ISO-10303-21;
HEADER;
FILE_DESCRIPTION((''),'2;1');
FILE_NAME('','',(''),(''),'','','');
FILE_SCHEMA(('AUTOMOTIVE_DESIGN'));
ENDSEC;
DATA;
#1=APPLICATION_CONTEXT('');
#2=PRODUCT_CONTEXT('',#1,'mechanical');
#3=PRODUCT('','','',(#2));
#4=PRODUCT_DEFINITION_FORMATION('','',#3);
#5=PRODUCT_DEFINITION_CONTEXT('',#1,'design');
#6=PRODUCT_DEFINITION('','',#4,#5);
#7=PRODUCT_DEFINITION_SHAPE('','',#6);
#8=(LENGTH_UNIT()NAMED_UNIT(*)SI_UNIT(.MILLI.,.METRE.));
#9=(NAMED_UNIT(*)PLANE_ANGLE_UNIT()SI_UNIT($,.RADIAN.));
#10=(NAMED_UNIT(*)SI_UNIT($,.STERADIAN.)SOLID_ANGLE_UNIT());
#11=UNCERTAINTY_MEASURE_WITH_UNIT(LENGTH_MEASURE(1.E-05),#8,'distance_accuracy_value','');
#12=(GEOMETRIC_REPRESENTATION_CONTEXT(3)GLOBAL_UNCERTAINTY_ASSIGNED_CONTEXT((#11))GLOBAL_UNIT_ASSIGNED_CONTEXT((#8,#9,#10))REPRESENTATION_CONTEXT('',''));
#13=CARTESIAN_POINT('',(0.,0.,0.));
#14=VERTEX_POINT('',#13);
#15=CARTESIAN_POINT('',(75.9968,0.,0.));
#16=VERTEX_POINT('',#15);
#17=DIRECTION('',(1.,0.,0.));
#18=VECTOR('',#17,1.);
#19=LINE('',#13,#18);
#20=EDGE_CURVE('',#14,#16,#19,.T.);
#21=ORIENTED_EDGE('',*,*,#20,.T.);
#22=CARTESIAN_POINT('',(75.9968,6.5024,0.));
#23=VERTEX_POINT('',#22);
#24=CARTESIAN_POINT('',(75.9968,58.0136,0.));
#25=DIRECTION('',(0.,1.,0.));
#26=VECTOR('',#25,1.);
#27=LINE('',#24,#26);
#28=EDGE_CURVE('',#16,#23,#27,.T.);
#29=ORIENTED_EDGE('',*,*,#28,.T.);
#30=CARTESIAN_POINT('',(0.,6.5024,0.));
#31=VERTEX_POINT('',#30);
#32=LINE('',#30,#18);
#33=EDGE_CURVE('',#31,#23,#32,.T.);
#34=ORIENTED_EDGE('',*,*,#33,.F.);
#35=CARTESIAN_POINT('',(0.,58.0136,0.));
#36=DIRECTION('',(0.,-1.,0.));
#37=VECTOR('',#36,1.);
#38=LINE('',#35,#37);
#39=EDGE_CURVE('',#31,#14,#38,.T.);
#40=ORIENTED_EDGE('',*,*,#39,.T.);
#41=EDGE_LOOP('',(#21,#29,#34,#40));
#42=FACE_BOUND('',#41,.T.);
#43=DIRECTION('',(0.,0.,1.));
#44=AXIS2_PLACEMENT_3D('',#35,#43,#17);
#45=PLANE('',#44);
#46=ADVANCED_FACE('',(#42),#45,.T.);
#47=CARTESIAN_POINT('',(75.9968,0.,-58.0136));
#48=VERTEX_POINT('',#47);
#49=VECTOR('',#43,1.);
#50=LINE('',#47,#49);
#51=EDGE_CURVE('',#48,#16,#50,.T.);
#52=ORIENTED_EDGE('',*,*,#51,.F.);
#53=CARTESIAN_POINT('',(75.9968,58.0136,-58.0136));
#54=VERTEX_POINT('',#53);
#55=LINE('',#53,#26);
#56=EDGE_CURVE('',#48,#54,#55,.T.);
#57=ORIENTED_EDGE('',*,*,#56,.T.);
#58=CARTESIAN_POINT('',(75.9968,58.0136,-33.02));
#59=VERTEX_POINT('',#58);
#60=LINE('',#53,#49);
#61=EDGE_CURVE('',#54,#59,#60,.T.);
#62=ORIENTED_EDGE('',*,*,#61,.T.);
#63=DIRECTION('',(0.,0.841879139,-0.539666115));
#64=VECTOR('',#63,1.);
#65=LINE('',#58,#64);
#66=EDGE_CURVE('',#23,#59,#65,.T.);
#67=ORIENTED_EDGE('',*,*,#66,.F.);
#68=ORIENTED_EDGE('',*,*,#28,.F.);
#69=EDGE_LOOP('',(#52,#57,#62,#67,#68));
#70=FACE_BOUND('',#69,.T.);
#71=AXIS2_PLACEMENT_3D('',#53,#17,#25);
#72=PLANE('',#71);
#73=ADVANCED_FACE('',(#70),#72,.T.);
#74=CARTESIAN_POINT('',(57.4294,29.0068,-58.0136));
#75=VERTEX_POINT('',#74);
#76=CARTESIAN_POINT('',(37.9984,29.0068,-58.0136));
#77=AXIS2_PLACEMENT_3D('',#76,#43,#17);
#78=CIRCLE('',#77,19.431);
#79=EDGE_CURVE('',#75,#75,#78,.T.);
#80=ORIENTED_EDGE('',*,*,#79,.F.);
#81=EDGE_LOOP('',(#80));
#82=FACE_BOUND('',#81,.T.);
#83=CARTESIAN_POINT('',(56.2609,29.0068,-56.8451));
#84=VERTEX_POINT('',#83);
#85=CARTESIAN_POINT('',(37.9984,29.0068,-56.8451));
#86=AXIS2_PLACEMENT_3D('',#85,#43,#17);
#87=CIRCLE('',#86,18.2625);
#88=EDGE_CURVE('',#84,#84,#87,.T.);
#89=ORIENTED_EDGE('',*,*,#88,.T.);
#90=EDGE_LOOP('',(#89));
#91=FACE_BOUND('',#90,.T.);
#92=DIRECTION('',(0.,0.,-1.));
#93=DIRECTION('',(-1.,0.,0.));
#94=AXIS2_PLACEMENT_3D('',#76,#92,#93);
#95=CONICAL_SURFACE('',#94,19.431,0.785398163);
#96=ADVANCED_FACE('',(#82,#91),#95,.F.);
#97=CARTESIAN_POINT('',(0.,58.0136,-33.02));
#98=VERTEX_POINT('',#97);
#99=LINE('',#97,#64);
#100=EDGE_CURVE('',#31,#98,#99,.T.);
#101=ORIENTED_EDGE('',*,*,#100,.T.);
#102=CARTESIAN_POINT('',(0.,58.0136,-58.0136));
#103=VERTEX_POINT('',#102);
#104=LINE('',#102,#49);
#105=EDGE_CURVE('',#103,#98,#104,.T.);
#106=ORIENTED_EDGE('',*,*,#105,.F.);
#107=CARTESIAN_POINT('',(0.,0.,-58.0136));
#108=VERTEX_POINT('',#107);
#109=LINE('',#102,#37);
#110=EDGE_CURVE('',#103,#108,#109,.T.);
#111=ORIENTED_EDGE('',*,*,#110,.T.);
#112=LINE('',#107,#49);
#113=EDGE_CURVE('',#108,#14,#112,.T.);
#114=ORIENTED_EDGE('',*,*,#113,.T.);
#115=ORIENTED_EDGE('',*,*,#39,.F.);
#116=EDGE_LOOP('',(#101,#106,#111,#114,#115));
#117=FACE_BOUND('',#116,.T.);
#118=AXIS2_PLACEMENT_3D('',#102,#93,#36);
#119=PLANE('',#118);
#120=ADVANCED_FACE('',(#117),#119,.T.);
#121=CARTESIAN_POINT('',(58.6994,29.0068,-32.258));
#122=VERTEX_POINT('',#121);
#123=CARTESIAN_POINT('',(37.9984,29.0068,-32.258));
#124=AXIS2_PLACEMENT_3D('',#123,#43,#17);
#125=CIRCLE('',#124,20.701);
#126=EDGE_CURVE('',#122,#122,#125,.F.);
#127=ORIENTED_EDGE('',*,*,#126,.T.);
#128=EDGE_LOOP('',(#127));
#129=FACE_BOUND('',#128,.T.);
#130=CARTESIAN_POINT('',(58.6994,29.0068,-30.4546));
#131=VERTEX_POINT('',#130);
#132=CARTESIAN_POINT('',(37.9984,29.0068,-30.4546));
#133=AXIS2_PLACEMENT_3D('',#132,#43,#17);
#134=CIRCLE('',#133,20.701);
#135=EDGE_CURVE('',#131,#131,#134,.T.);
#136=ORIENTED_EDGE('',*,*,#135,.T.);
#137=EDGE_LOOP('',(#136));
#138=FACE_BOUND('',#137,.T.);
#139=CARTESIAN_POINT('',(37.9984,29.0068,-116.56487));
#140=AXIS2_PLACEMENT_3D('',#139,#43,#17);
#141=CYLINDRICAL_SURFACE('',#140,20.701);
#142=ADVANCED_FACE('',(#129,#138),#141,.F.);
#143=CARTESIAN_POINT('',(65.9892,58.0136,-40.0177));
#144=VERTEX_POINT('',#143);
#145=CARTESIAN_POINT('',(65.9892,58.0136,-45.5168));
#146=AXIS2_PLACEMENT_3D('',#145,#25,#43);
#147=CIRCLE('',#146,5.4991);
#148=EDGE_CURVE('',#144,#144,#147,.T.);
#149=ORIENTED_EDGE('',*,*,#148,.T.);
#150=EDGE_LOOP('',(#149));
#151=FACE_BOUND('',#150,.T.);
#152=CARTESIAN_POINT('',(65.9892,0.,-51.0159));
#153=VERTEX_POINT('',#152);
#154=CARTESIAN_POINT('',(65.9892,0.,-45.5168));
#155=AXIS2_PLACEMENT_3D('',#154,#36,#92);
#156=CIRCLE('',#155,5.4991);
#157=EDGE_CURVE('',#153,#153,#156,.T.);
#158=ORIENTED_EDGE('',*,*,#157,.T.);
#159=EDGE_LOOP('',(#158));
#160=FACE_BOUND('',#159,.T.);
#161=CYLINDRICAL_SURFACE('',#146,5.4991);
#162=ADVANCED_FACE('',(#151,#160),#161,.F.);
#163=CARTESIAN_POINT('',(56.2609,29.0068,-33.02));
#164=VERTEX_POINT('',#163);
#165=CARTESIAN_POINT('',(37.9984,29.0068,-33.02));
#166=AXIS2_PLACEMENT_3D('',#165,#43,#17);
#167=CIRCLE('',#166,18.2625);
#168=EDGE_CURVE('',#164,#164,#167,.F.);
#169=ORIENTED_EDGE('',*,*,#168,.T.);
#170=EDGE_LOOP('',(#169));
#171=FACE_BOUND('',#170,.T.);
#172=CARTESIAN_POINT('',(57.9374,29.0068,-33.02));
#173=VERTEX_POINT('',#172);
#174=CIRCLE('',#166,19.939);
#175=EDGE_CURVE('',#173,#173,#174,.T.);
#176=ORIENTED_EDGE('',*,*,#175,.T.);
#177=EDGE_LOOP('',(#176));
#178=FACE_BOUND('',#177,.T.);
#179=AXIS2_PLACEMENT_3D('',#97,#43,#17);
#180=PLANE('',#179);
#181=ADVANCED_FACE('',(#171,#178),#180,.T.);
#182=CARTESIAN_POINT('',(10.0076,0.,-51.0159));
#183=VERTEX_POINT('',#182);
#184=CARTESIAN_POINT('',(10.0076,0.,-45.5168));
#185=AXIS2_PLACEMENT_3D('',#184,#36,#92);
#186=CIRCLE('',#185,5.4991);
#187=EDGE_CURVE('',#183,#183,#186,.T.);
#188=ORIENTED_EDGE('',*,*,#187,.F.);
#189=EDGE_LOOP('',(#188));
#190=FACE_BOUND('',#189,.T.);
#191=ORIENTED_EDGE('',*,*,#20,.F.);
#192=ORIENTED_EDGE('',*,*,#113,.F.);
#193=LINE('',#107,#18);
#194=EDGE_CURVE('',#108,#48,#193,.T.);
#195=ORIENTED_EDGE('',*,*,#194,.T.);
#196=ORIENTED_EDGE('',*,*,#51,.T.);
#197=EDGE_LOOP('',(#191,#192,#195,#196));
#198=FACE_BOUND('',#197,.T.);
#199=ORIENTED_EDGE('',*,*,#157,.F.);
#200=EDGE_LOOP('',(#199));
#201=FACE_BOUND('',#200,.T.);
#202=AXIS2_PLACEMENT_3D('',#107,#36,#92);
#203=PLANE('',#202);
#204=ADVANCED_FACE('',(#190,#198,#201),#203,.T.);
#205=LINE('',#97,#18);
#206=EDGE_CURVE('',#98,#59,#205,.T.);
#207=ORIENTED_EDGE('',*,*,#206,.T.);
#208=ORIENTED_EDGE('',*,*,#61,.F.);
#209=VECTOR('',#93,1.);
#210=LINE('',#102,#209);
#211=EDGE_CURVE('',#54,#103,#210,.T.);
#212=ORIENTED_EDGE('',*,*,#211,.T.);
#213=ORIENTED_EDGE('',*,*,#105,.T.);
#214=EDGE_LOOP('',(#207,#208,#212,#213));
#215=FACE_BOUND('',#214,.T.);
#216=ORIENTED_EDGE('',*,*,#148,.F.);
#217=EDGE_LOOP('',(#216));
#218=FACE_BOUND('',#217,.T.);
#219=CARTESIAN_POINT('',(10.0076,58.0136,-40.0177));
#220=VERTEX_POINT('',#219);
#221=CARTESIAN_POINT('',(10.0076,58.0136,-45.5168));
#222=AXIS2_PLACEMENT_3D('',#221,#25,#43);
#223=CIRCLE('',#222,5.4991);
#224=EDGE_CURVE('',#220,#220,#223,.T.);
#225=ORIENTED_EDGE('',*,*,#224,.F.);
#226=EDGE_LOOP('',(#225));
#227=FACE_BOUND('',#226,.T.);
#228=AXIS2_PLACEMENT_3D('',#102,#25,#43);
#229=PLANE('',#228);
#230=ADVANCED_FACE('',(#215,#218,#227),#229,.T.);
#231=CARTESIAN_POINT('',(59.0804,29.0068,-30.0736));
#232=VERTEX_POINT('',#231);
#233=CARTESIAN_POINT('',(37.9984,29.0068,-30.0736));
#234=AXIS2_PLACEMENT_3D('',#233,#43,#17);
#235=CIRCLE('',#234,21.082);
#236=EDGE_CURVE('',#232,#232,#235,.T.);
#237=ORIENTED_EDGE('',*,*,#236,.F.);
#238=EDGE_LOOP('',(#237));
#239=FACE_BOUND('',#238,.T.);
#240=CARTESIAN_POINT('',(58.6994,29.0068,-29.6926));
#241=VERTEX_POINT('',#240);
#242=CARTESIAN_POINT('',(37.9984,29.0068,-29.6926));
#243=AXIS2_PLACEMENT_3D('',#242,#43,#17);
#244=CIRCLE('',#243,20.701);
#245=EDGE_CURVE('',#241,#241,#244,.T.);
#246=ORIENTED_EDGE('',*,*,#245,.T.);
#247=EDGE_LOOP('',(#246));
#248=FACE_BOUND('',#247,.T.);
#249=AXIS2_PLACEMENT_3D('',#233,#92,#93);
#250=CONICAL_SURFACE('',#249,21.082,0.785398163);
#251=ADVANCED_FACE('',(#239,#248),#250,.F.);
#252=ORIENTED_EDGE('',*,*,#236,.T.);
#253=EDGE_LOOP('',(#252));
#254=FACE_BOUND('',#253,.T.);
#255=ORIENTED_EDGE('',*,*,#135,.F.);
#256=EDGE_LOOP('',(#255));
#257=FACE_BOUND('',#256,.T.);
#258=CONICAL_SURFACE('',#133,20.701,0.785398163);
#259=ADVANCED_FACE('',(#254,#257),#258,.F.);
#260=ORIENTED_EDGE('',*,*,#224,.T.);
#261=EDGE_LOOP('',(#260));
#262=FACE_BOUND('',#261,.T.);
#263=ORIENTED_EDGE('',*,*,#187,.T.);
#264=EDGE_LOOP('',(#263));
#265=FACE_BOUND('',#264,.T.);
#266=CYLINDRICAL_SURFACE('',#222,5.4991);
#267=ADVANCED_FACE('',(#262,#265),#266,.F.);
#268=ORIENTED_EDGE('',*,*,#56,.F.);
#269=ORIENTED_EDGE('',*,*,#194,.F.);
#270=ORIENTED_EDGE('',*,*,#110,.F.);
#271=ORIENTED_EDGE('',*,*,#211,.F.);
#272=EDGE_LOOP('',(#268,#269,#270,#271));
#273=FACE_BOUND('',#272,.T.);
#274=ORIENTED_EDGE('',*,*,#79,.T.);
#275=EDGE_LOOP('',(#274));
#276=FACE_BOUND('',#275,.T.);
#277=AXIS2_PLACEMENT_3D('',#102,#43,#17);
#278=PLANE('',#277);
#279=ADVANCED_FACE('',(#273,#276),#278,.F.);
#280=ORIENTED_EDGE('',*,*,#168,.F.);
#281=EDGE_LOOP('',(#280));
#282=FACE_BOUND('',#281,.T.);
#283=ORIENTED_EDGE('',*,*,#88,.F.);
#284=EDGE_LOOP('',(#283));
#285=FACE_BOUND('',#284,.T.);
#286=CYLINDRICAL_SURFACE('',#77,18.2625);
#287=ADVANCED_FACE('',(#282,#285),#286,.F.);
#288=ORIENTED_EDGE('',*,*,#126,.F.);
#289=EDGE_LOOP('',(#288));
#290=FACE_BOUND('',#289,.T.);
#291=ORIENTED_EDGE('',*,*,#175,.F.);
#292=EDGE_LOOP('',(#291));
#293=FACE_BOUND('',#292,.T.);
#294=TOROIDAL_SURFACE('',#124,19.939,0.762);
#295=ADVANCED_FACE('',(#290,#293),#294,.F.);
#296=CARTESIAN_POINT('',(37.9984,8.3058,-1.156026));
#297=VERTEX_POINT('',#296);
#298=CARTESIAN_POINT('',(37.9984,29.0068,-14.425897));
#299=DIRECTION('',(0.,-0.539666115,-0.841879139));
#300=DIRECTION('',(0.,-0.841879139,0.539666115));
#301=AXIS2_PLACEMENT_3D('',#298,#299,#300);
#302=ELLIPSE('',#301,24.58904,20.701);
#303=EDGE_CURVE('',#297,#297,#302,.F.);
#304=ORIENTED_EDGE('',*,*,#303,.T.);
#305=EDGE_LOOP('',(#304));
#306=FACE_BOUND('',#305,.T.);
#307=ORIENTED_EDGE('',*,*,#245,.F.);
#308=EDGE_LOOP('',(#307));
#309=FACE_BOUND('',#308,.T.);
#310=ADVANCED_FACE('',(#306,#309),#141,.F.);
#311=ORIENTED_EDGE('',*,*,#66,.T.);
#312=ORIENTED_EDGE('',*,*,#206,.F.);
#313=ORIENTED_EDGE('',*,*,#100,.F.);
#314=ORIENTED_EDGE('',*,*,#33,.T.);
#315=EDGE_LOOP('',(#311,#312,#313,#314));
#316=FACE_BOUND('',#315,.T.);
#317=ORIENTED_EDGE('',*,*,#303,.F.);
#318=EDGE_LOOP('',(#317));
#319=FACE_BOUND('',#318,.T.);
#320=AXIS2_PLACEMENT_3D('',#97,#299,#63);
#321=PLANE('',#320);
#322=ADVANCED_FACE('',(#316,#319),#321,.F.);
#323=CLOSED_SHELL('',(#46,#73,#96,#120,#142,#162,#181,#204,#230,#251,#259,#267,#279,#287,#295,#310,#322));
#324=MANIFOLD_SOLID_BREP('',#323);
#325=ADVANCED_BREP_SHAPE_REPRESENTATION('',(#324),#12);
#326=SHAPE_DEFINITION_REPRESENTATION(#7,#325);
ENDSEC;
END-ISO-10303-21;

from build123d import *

# Parameters (mm, degrees)
SKETCH1_W          = 75.9968
SKETCH1_H          = 58.0136
SKETCH1_R          = 18.2625
EXTRUDE1_DEPTH     = 58.0136
CUT_EXTRUDE1_DEPTH = 76.9968
SKETCH3_R          = 20.701
CUT_EXTRUDE2_DEPTH = 33.02
FILLET1_R          = 0.762
HOLE1_D            = 10.9982
HOLE1_DEPTH        = 58.0136


with BuildPart() as part:
    # Sketch1 → Extrude1 (new body)
    with BuildSketch(Plane.XY):
        with Locations((37.9984, 29.0068)):
            Rectangle(SKETCH1_W, SKETCH1_H)
        with Locations((37.9984, 29.0068)):
            Circle(SKETCH1_R, mode=Mode.SUBTRACT)
    extrude(amount=-EXTRUDE1_DEPTH)

    # Sketch2 → Cut-Extrude1 (cut, through all)
    with BuildSketch(Plane(origin=(75.9968, 0, 0), x_dir=(0, 0, -1), z_dir=(1, 0, 0))):
        Polygon((0, 58.0136), (33.02, 58.0136), (0, 6.5024), align=None)
    extrude(amount=-CUT_EXTRUDE1_DEPTH, mode=Mode.SUBTRACT)

    # Sketch3 → Cut-Extrude2 (cut)
    with BuildSketch(Plane(origin=(0, 0, 0), x_dir=(-1, 0, 0), z_dir=(0, 0, -1))):
        with Locations(Location((-37.9984, 29.0068, 0), (0, 0, 180))):  # turned: the seam where the file's is
            Circle(SKETCH3_R)
    extrude(amount=CUT_EXTRUDE2_DEPTH, mode=Mode.SUBTRACT)

    # Fillet1
    fillet1_edges = [part.edges().sort_by_distance(p)[0] for p in [
        (17.2974, 29.0068, -33.02),
    ]]
    fillet(fillet1_edges, radius=FILLET1_R)

    # Hole1
    with Locations(Plane(origin=(0, 58.0136, 0), x_dir=(-1, 0, 0), z_dir=(0, 1, 0))):
        with Locations((-10.0076, -45.5168), (-65.9892, -45.5168)):
            Hole(HOLE1_D / 2, depth=HOLE1_DEPTH)

    # Sketch6 → Cut-Revolve1 (revolve, cut)
    with BuildSketch(Plane(origin=(0, 29.0068, 0), x_dir=(-1, 0, 0), z_dir=(0, 1, 0)), mode=Mode.PRIVATE) as cut_revolve1_sk:
        Polygon((-17.2974, -29.6926), (-17.2974, -30.4546), (-16.9164, -30.0736), align=None)
        Polygon((-19.7359, -56.8451), (-19.7359, -58.0136), (-18.5674, -58.0136), align=None)
    revolve(cut_revolve1_sk.sketch.rotate(Axis((37.9984, 29.0068, 17.508123997), (0, 0, -1)), 180), axis=Axis((37.9984, 29.0068, 17.508123997), (0, 0, -1)), mode=Mode.SUBTRACT)  # turned: the seam where the file's is


solid = part.part
